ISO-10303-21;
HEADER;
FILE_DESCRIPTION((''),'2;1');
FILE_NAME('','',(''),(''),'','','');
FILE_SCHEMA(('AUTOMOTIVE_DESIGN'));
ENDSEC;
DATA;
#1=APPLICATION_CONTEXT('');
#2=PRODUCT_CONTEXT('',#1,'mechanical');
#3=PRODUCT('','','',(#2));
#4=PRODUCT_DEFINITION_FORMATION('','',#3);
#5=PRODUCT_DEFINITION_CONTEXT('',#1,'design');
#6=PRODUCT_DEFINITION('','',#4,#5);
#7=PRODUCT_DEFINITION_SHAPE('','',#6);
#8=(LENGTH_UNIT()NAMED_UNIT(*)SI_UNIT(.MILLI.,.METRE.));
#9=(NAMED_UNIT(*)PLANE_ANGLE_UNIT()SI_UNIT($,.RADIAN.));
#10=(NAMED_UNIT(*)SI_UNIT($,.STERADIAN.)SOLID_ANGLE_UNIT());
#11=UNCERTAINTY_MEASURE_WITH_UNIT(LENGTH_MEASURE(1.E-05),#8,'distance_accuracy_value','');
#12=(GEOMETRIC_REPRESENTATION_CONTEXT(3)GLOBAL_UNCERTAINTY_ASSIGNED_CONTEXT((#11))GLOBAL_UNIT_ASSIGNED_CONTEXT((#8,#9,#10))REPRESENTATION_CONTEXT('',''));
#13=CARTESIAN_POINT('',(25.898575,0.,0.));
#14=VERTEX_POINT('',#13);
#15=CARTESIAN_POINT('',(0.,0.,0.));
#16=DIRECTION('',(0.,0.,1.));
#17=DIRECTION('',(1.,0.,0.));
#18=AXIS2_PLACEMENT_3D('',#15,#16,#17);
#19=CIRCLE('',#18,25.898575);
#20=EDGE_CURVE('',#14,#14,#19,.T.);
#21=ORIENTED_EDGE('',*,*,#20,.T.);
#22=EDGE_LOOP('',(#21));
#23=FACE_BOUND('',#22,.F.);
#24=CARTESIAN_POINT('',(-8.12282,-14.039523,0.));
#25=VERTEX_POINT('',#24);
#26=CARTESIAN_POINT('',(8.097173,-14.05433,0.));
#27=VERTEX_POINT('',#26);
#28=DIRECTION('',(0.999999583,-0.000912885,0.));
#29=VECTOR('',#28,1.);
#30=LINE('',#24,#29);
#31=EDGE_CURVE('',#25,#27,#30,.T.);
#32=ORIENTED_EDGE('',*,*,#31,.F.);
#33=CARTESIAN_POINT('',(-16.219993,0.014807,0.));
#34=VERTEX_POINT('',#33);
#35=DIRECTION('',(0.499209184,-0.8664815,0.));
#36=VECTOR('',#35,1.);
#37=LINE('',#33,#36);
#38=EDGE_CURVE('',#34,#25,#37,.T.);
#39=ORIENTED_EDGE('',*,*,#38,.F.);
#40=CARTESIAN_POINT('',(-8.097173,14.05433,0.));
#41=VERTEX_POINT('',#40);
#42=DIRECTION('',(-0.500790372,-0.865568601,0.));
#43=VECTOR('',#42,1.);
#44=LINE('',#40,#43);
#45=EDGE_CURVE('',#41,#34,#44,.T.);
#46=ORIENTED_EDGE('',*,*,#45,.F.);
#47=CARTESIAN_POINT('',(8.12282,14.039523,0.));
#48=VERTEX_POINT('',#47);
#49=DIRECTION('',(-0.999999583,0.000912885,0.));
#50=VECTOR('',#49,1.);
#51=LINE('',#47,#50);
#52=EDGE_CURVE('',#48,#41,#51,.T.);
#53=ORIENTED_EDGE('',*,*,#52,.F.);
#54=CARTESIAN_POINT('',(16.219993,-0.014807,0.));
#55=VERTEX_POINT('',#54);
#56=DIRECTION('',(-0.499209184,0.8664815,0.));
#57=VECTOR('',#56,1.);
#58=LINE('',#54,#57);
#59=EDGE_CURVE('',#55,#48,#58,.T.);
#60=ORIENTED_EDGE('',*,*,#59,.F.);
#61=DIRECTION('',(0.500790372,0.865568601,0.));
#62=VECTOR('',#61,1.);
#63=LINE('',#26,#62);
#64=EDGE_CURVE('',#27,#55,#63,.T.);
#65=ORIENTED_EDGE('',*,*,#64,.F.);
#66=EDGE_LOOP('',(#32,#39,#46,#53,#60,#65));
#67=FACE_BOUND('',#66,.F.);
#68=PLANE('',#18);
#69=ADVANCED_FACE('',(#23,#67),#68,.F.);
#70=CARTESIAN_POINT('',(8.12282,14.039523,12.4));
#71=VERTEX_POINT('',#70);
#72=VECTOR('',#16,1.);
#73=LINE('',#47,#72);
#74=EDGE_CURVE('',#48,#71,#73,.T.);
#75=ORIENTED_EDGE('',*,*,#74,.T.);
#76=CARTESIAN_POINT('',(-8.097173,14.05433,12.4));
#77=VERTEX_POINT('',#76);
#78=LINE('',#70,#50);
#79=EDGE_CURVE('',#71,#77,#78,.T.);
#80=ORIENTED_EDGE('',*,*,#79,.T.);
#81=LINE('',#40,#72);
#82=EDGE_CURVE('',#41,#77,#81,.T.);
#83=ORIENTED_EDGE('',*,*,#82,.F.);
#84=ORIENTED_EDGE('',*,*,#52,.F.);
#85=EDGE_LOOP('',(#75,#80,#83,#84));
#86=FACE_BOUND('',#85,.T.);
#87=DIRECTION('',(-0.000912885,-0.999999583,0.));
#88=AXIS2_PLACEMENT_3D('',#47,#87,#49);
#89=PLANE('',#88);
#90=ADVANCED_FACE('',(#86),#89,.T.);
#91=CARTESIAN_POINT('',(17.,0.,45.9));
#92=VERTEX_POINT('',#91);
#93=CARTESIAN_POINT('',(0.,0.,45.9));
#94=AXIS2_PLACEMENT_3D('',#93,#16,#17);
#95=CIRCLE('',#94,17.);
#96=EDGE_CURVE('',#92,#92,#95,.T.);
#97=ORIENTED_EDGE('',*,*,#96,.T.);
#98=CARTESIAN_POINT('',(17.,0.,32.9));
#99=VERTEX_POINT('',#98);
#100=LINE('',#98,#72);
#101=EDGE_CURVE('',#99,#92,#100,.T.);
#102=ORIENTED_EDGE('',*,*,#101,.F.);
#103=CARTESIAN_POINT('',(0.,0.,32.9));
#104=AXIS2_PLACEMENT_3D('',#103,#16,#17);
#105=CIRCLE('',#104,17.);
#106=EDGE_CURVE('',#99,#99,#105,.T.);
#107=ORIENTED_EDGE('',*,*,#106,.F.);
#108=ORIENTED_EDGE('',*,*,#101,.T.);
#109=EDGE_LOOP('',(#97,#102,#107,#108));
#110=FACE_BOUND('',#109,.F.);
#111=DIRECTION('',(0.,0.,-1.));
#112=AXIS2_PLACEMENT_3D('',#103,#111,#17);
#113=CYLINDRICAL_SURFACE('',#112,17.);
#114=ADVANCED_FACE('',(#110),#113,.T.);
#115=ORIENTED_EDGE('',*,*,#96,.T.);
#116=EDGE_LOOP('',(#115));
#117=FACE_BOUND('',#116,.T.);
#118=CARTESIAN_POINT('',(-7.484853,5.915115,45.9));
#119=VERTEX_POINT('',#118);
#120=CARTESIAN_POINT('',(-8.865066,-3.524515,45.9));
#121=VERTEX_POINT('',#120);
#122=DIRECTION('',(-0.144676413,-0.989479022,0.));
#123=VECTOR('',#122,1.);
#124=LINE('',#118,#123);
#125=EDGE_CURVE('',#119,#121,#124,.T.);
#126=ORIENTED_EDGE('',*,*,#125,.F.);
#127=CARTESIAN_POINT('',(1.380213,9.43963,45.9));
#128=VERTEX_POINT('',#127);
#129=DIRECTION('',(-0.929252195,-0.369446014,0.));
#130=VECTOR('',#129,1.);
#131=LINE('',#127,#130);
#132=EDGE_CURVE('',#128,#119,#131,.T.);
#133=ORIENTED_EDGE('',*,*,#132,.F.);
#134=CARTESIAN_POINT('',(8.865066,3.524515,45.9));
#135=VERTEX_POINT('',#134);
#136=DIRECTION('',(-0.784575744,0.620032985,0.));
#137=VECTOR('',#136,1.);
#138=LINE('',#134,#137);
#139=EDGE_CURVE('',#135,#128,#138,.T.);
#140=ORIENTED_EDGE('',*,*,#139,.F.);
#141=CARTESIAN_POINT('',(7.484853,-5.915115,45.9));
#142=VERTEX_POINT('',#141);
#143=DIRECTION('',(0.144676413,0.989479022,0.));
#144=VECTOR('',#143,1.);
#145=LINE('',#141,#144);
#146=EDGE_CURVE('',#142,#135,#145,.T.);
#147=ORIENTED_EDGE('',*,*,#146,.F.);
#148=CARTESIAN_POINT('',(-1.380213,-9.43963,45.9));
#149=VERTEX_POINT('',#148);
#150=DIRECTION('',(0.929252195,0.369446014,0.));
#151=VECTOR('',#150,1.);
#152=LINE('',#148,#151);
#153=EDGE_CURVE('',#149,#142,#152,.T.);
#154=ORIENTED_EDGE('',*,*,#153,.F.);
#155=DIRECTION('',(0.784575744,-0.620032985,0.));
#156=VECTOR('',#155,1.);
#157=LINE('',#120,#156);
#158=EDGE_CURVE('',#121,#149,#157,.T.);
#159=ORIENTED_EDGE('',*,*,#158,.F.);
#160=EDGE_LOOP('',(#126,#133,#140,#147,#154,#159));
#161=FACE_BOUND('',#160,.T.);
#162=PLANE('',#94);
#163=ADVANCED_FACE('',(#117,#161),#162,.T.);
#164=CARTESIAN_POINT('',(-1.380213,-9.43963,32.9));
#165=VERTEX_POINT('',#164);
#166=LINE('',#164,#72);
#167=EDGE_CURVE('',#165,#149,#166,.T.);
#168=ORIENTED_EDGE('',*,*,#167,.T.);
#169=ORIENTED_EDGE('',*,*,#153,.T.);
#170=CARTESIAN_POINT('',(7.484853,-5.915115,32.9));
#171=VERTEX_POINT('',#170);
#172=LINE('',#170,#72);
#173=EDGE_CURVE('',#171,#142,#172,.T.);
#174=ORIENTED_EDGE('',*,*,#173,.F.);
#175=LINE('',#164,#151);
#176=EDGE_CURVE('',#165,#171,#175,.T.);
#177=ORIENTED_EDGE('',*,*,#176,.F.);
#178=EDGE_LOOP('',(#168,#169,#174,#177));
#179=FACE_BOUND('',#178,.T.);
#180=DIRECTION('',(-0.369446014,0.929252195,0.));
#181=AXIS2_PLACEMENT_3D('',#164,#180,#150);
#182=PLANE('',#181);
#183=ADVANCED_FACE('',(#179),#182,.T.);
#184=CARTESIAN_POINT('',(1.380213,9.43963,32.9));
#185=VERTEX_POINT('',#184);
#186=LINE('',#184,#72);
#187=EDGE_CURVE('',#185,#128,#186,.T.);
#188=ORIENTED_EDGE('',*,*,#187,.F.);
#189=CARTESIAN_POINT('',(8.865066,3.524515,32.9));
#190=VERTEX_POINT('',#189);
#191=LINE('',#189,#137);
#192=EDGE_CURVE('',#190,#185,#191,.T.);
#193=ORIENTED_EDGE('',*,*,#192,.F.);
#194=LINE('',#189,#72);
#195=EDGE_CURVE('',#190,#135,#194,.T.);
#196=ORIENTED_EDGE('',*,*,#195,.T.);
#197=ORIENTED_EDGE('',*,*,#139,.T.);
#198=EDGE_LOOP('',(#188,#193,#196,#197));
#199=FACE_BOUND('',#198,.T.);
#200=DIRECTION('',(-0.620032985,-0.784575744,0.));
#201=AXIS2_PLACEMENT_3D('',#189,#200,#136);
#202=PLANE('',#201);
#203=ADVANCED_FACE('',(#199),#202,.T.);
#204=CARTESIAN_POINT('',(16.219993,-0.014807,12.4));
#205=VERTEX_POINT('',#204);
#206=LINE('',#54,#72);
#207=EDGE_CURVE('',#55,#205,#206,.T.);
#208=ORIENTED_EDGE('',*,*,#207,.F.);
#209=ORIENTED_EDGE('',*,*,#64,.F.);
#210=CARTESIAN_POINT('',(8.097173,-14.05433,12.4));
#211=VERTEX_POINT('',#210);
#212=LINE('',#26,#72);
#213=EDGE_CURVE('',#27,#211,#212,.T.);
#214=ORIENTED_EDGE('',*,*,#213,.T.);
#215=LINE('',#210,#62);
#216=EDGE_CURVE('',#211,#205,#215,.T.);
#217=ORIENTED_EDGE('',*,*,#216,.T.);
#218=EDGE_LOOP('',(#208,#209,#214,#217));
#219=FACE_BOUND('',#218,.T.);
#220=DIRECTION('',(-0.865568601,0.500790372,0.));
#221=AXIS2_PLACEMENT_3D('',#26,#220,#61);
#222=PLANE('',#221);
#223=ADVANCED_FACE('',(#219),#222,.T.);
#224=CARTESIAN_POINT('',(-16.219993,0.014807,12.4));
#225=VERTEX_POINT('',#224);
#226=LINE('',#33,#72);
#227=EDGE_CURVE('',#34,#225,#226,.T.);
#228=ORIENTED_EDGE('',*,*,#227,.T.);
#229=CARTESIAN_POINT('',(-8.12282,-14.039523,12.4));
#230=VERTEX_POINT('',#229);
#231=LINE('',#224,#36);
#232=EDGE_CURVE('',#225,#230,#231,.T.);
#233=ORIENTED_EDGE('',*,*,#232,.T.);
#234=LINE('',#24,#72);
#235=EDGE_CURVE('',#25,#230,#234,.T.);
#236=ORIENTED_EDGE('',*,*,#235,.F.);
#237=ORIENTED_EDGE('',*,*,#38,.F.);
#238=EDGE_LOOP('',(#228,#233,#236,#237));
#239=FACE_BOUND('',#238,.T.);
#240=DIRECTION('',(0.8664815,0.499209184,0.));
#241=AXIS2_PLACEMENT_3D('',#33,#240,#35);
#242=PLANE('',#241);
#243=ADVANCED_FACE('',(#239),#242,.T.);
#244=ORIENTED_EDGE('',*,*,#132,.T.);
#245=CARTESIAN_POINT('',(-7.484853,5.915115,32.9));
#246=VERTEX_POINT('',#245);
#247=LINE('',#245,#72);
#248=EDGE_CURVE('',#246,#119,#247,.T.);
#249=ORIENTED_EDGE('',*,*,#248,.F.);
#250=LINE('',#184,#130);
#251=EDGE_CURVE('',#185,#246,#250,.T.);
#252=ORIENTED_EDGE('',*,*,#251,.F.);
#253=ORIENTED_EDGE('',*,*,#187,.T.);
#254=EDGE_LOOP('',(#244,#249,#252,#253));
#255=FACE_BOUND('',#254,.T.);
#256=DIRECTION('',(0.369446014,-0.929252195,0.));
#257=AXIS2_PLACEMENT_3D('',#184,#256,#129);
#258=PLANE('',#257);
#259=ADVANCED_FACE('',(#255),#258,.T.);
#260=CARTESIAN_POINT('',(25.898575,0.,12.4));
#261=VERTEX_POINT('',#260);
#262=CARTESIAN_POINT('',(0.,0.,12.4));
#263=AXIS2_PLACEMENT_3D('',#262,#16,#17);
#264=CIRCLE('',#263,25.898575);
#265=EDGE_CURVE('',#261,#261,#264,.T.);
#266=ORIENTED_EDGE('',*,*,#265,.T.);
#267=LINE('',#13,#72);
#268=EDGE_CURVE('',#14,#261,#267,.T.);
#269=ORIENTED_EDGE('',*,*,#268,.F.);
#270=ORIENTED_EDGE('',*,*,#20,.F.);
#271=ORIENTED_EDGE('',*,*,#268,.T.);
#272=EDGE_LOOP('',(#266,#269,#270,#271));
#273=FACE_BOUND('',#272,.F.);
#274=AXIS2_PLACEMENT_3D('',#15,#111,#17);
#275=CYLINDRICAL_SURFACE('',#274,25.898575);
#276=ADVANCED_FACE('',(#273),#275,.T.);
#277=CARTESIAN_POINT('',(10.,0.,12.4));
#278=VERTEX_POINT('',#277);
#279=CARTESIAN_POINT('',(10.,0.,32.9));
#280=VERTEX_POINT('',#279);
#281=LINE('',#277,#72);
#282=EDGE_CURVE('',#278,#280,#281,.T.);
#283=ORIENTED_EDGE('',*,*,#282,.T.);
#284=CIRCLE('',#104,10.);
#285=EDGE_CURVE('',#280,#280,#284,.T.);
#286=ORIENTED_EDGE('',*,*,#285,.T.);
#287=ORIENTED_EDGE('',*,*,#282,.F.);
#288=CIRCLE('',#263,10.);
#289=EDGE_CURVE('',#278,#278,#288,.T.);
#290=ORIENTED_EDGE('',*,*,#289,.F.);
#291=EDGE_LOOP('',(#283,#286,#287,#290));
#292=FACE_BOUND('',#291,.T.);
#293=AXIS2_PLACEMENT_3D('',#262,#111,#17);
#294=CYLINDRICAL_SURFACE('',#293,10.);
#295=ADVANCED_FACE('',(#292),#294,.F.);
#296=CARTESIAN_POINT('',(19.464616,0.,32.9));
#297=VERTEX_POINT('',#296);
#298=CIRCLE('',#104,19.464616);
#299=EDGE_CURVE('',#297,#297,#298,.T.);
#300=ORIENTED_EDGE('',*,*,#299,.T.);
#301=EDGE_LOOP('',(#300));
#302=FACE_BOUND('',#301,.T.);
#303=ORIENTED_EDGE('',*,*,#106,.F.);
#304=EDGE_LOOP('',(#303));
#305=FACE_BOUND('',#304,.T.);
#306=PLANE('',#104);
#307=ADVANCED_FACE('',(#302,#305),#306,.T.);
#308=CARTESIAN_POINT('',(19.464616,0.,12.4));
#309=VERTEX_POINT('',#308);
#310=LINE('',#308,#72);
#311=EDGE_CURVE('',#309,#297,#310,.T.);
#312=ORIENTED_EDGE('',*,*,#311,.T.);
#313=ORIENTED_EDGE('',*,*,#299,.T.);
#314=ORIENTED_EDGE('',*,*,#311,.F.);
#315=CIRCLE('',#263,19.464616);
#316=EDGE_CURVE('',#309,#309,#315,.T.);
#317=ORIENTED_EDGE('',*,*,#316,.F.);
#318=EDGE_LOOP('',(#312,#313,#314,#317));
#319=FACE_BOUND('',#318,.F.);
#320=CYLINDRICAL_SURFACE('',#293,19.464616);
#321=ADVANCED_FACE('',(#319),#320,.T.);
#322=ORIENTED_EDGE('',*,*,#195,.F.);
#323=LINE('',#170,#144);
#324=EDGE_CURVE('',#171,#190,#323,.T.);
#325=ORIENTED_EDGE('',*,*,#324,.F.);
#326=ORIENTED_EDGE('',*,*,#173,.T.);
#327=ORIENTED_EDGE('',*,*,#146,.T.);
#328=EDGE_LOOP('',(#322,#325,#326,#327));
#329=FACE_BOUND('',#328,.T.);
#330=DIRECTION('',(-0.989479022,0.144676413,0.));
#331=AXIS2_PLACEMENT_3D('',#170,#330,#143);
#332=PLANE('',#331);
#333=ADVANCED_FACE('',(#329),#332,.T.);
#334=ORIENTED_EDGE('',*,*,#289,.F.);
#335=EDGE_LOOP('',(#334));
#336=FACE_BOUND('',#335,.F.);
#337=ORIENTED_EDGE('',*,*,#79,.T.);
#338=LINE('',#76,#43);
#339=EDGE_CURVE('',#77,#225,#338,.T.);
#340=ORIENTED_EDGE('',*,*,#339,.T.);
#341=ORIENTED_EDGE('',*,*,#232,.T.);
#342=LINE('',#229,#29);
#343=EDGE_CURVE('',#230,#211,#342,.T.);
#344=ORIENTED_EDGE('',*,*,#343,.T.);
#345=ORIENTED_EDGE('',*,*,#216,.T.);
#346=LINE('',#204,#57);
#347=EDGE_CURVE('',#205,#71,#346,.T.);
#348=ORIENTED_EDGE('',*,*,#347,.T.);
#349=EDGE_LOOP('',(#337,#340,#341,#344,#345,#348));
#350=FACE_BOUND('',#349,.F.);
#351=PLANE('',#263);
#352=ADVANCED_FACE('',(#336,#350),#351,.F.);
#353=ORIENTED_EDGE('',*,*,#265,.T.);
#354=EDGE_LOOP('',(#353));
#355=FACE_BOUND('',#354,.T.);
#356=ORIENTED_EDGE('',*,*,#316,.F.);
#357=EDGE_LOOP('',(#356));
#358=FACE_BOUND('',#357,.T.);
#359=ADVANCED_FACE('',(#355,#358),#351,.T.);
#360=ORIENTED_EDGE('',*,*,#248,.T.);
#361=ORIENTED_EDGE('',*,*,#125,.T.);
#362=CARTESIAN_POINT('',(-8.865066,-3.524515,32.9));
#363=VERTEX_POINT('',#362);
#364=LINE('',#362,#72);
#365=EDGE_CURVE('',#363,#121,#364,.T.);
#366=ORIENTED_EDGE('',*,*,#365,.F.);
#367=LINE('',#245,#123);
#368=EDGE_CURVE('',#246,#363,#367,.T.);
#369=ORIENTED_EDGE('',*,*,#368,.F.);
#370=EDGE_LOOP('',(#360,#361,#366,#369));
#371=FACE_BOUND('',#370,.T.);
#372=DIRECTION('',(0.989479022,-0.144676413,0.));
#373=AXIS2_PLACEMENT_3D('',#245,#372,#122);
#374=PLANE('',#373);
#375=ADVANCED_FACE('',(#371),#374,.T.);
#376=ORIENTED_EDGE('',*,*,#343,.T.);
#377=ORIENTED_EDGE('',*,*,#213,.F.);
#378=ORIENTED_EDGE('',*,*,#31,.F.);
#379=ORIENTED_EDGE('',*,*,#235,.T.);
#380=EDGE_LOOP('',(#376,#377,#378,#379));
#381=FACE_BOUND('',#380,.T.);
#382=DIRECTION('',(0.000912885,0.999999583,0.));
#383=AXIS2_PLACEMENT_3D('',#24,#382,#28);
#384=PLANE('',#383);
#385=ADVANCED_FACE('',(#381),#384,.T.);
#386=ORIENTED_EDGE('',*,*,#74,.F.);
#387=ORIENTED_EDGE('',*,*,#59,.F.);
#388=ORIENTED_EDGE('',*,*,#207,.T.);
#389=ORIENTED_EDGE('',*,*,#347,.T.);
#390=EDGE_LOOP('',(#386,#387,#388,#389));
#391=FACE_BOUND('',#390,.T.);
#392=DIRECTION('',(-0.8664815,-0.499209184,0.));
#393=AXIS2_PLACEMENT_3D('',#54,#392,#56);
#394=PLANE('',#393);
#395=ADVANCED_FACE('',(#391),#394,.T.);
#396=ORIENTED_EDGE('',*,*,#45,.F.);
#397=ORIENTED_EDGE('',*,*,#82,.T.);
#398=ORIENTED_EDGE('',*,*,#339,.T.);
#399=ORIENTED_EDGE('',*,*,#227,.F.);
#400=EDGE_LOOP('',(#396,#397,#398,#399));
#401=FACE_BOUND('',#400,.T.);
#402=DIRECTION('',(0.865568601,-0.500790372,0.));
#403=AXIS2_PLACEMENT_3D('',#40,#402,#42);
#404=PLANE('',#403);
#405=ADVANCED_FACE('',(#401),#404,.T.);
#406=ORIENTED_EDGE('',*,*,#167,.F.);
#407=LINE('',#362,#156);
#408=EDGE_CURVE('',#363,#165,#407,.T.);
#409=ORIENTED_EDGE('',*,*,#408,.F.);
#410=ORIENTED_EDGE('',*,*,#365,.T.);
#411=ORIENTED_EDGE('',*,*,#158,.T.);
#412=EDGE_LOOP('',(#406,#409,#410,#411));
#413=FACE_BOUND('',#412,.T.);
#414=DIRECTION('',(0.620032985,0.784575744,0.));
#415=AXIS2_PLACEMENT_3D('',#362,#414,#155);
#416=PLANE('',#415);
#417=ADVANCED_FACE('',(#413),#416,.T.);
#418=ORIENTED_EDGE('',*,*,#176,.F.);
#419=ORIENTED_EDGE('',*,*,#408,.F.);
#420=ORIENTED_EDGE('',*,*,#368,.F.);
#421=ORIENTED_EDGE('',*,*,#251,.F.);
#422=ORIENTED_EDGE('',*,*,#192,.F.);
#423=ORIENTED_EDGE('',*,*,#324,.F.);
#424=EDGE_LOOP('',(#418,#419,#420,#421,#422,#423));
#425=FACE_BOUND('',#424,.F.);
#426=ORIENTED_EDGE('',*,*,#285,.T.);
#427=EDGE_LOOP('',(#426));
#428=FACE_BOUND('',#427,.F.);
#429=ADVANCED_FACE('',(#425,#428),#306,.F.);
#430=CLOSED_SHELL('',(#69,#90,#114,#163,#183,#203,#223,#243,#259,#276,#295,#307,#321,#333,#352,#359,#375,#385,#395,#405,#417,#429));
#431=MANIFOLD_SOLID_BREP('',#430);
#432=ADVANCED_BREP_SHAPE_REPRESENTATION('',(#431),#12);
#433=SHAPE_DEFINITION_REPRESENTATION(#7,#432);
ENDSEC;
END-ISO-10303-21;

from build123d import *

# Parameters (mm, degrees)
SKETCH_R      = 25.898575
PAD_DEPTH     = 12.4
SKETCH001_R   = 19.464616
SKETCH001_R_2 = 10
PAD001_DEPTH  = 20.5
SKETCH002_R   = 17
PAD002_DEPTH  = 13


with BuildPart() as part:
    # Sketch → Pad (new body)
    with BuildSketch(Plane.XY):
        Circle(SKETCH_R)
        Polygon((8.12282, 14.039523), (-8.097173, 14.05433), (-16.219993, 0.014807), (-8.12282, -14.039523), (8.097173, -14.05433), (16.219993, -0.014807), align=None, mode=Mode.SUBTRACT)
    extrude(amount=PAD_DEPTH)

    # Sketch001 (on Face9 of Pad) → Pad001 (join)
    with BuildSketch(Plane.XY.offset(12.4)):
        Circle(SKETCH001_R)
        Circle(SKETCH001_R_2, mode=Mode.SUBTRACT)
    extrude(amount=PAD001_DEPTH)

    # Sketch002 (on Face12 of Pad001) → Pad002 (join)
    with BuildSketch(Plane.XY.offset(32.9)):
        Circle(SKETCH002_R)
        Polygon((-7.484853, 5.915115), (-8.865066, -3.524515), (-1.380213, -9.43963), (7.484853, -5.915115), (8.865066, 3.524515), (1.380213, 9.43963), align=None, mode=Mode.SUBTRACT)
    extrude(amount=PAD002_DEPTH)


solid = part.part
